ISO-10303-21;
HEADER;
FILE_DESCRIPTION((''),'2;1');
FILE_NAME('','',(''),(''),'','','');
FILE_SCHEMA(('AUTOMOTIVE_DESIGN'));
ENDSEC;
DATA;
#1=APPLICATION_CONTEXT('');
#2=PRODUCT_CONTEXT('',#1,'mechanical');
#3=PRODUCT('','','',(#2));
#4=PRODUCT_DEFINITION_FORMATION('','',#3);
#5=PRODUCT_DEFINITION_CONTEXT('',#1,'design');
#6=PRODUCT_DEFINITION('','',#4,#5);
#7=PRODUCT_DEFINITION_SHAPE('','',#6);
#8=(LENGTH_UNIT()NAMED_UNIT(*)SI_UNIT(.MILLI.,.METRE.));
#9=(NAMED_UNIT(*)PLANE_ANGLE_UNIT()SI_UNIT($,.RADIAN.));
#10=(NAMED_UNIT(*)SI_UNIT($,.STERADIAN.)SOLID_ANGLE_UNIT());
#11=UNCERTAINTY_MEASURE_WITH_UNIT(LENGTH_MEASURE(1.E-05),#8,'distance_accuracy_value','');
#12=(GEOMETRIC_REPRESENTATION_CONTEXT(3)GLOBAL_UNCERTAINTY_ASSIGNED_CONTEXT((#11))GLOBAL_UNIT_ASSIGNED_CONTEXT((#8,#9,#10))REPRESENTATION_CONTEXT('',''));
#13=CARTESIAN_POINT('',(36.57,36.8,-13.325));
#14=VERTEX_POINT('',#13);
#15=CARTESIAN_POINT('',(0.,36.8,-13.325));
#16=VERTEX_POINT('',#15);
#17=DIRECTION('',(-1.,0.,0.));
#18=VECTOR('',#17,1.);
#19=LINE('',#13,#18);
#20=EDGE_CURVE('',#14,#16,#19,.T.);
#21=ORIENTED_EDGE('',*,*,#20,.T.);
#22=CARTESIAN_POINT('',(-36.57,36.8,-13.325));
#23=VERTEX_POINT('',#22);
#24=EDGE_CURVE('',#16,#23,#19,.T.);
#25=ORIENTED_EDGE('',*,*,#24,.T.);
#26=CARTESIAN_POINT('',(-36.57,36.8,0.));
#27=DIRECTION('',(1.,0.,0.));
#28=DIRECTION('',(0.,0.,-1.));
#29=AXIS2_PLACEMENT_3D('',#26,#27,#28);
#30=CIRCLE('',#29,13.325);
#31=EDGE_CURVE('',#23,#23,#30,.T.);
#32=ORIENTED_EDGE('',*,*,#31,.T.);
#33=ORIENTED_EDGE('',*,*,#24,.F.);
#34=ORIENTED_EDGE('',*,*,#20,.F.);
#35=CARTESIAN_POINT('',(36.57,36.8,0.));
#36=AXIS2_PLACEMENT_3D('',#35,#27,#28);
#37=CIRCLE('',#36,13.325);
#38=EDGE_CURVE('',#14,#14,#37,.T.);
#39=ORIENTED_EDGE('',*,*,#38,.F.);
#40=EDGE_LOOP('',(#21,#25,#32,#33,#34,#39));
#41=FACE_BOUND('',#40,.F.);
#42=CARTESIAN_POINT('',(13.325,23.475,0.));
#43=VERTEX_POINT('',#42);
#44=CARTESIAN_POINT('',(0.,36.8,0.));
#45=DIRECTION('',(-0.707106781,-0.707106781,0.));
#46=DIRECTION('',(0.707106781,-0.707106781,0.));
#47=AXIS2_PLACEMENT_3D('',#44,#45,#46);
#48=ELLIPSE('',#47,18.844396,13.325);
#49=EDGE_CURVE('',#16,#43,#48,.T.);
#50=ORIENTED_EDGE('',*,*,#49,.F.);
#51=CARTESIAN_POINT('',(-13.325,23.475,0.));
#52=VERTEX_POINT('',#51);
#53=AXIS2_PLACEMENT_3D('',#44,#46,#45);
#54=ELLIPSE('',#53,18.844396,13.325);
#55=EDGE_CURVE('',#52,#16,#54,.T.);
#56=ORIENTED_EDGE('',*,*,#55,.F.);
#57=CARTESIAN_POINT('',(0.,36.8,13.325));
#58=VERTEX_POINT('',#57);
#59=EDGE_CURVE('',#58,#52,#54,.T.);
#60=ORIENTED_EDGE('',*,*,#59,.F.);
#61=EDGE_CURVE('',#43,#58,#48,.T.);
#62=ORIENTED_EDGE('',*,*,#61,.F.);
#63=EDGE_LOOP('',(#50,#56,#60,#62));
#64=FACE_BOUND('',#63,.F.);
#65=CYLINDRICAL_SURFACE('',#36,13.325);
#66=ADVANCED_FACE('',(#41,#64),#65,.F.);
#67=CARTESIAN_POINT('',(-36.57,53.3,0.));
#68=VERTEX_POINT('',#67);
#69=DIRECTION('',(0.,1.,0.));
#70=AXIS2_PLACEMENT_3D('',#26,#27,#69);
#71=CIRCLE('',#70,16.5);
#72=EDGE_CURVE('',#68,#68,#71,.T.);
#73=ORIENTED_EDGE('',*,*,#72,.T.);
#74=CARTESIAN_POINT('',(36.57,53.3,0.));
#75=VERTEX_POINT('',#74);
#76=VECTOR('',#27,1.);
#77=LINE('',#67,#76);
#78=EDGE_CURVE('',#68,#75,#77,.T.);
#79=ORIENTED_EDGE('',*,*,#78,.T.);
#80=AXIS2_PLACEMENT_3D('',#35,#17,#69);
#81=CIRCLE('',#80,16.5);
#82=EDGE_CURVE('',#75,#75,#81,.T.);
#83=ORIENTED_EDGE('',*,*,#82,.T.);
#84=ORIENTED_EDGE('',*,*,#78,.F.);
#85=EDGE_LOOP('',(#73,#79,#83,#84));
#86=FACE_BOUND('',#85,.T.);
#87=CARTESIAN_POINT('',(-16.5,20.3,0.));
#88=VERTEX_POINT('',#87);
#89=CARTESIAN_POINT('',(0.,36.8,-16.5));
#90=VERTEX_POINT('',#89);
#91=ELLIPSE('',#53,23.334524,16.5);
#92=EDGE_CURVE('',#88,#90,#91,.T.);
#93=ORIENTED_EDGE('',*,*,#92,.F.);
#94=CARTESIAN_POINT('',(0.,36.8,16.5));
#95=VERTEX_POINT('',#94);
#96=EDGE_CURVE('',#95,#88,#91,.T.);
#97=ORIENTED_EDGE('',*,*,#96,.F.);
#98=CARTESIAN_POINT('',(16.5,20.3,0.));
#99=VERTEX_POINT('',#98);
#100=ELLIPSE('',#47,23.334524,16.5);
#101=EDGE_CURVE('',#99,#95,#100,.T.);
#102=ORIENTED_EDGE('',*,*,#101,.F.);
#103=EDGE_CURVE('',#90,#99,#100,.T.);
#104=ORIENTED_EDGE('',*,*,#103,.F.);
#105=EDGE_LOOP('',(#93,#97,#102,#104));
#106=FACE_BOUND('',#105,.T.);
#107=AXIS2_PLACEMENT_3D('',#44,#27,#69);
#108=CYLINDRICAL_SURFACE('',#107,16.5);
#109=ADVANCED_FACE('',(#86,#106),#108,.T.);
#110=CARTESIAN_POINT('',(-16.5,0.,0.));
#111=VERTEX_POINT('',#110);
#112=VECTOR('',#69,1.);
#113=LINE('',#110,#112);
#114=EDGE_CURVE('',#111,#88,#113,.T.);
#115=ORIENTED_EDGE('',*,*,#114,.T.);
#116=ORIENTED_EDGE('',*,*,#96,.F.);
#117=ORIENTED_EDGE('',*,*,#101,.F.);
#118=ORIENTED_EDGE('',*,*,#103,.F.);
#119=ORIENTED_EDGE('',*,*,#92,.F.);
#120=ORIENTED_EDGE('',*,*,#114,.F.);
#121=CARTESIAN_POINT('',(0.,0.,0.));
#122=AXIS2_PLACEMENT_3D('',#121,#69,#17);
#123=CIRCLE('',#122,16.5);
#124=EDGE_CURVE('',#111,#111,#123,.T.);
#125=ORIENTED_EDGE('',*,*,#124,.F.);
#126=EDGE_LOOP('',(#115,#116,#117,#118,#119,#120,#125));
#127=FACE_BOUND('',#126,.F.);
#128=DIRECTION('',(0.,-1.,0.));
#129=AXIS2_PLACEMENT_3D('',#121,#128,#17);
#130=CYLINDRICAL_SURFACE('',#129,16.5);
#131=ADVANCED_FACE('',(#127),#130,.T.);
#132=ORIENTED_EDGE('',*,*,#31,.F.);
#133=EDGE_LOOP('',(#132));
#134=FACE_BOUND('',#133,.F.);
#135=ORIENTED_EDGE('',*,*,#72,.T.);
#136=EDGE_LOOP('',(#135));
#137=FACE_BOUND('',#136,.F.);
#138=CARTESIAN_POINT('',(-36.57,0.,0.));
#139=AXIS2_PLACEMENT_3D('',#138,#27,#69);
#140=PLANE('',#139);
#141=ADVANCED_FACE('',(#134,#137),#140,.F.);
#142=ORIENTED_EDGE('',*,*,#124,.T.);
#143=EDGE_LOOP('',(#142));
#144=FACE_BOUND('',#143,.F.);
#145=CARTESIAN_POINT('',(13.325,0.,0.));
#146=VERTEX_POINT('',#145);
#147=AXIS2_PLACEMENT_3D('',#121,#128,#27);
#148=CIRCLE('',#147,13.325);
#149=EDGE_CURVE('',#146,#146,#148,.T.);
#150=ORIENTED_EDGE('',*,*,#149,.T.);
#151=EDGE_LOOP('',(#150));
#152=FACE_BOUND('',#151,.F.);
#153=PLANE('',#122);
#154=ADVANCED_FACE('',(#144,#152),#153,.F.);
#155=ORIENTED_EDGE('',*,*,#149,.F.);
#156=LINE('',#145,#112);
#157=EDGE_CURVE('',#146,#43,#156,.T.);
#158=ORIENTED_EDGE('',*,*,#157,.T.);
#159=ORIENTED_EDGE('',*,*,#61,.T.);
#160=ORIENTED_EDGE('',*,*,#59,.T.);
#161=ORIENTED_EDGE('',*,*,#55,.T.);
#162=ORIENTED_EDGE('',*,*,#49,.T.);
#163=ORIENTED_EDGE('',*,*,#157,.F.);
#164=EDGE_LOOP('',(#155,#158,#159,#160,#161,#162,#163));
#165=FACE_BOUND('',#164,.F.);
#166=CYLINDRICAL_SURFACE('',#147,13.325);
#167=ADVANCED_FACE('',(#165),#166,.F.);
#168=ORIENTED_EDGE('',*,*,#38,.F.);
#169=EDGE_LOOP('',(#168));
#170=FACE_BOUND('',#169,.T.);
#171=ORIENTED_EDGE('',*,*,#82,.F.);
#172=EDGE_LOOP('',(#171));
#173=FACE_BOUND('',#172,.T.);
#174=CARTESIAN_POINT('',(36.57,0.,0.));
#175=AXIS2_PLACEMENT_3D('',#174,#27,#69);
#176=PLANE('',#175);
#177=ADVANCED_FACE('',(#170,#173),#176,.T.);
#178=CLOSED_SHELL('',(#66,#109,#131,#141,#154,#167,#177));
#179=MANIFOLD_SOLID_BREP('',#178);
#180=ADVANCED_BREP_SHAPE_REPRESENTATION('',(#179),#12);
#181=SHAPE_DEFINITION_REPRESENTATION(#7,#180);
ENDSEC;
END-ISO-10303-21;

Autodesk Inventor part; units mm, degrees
ref_plane "YZ Plane" through (0, 0, 0) normal (1, 0, 0) x (0, 1, 0)
ref_plane "XZ Plane" through (0, 0, 0) normal (0, 1, 0) x (-1, 0, 0)
ref_plane "XY Plane" through (0, 0, 0) normal (0, 0, 1) x (1, 0, 0)
sketch "Boceto2" plane through (0, 0, 0) normal (0, 1, 0) x (-1, 0, 0)
  circle A0 centre (0, 0) radius 16.5
  dimension "d0" = 33
extrude "Extrusión1" add sketch "Boceto2" along normal blind 36.8
sketch "Boceto3" plane through (0, 0, 0) normal (1, 0, 0) x (0, 1, 0)
  line L0 (0, 0) -> (36.8, 0)
  line L1 (36.8, -16.5) -> (36.8, 16.5) projected
  circle A0 centre (36.8, 0) radius 16.5
extrude "Extrusión2" add sketch "Boceto3" along normal mid plane 73.14
sketch "Boceto4" plane through (36.57, 36.8, 0) normal (1, 0, 0) x (0, 0, -1)
  circle A0 centre (0, 0) radius 13.325
  point P0 (0, -36.8)
  dimension "d5" = 26.65
extrude "Extrusión3" cut sketch "Boceto4" against normal blind 73.14
sketch "Boceto5" plane through (0, 0, 0) normal (0, -1, 0) x (1, 0, 0)
  circle A0 centre (0, 0) radius 13.325
  dimension "d8" = 26.65
extrude "Extrusión4" cut sketch "Boceto5" against normal up to surface
properties part number "T" material "PVC, no plastificado"
